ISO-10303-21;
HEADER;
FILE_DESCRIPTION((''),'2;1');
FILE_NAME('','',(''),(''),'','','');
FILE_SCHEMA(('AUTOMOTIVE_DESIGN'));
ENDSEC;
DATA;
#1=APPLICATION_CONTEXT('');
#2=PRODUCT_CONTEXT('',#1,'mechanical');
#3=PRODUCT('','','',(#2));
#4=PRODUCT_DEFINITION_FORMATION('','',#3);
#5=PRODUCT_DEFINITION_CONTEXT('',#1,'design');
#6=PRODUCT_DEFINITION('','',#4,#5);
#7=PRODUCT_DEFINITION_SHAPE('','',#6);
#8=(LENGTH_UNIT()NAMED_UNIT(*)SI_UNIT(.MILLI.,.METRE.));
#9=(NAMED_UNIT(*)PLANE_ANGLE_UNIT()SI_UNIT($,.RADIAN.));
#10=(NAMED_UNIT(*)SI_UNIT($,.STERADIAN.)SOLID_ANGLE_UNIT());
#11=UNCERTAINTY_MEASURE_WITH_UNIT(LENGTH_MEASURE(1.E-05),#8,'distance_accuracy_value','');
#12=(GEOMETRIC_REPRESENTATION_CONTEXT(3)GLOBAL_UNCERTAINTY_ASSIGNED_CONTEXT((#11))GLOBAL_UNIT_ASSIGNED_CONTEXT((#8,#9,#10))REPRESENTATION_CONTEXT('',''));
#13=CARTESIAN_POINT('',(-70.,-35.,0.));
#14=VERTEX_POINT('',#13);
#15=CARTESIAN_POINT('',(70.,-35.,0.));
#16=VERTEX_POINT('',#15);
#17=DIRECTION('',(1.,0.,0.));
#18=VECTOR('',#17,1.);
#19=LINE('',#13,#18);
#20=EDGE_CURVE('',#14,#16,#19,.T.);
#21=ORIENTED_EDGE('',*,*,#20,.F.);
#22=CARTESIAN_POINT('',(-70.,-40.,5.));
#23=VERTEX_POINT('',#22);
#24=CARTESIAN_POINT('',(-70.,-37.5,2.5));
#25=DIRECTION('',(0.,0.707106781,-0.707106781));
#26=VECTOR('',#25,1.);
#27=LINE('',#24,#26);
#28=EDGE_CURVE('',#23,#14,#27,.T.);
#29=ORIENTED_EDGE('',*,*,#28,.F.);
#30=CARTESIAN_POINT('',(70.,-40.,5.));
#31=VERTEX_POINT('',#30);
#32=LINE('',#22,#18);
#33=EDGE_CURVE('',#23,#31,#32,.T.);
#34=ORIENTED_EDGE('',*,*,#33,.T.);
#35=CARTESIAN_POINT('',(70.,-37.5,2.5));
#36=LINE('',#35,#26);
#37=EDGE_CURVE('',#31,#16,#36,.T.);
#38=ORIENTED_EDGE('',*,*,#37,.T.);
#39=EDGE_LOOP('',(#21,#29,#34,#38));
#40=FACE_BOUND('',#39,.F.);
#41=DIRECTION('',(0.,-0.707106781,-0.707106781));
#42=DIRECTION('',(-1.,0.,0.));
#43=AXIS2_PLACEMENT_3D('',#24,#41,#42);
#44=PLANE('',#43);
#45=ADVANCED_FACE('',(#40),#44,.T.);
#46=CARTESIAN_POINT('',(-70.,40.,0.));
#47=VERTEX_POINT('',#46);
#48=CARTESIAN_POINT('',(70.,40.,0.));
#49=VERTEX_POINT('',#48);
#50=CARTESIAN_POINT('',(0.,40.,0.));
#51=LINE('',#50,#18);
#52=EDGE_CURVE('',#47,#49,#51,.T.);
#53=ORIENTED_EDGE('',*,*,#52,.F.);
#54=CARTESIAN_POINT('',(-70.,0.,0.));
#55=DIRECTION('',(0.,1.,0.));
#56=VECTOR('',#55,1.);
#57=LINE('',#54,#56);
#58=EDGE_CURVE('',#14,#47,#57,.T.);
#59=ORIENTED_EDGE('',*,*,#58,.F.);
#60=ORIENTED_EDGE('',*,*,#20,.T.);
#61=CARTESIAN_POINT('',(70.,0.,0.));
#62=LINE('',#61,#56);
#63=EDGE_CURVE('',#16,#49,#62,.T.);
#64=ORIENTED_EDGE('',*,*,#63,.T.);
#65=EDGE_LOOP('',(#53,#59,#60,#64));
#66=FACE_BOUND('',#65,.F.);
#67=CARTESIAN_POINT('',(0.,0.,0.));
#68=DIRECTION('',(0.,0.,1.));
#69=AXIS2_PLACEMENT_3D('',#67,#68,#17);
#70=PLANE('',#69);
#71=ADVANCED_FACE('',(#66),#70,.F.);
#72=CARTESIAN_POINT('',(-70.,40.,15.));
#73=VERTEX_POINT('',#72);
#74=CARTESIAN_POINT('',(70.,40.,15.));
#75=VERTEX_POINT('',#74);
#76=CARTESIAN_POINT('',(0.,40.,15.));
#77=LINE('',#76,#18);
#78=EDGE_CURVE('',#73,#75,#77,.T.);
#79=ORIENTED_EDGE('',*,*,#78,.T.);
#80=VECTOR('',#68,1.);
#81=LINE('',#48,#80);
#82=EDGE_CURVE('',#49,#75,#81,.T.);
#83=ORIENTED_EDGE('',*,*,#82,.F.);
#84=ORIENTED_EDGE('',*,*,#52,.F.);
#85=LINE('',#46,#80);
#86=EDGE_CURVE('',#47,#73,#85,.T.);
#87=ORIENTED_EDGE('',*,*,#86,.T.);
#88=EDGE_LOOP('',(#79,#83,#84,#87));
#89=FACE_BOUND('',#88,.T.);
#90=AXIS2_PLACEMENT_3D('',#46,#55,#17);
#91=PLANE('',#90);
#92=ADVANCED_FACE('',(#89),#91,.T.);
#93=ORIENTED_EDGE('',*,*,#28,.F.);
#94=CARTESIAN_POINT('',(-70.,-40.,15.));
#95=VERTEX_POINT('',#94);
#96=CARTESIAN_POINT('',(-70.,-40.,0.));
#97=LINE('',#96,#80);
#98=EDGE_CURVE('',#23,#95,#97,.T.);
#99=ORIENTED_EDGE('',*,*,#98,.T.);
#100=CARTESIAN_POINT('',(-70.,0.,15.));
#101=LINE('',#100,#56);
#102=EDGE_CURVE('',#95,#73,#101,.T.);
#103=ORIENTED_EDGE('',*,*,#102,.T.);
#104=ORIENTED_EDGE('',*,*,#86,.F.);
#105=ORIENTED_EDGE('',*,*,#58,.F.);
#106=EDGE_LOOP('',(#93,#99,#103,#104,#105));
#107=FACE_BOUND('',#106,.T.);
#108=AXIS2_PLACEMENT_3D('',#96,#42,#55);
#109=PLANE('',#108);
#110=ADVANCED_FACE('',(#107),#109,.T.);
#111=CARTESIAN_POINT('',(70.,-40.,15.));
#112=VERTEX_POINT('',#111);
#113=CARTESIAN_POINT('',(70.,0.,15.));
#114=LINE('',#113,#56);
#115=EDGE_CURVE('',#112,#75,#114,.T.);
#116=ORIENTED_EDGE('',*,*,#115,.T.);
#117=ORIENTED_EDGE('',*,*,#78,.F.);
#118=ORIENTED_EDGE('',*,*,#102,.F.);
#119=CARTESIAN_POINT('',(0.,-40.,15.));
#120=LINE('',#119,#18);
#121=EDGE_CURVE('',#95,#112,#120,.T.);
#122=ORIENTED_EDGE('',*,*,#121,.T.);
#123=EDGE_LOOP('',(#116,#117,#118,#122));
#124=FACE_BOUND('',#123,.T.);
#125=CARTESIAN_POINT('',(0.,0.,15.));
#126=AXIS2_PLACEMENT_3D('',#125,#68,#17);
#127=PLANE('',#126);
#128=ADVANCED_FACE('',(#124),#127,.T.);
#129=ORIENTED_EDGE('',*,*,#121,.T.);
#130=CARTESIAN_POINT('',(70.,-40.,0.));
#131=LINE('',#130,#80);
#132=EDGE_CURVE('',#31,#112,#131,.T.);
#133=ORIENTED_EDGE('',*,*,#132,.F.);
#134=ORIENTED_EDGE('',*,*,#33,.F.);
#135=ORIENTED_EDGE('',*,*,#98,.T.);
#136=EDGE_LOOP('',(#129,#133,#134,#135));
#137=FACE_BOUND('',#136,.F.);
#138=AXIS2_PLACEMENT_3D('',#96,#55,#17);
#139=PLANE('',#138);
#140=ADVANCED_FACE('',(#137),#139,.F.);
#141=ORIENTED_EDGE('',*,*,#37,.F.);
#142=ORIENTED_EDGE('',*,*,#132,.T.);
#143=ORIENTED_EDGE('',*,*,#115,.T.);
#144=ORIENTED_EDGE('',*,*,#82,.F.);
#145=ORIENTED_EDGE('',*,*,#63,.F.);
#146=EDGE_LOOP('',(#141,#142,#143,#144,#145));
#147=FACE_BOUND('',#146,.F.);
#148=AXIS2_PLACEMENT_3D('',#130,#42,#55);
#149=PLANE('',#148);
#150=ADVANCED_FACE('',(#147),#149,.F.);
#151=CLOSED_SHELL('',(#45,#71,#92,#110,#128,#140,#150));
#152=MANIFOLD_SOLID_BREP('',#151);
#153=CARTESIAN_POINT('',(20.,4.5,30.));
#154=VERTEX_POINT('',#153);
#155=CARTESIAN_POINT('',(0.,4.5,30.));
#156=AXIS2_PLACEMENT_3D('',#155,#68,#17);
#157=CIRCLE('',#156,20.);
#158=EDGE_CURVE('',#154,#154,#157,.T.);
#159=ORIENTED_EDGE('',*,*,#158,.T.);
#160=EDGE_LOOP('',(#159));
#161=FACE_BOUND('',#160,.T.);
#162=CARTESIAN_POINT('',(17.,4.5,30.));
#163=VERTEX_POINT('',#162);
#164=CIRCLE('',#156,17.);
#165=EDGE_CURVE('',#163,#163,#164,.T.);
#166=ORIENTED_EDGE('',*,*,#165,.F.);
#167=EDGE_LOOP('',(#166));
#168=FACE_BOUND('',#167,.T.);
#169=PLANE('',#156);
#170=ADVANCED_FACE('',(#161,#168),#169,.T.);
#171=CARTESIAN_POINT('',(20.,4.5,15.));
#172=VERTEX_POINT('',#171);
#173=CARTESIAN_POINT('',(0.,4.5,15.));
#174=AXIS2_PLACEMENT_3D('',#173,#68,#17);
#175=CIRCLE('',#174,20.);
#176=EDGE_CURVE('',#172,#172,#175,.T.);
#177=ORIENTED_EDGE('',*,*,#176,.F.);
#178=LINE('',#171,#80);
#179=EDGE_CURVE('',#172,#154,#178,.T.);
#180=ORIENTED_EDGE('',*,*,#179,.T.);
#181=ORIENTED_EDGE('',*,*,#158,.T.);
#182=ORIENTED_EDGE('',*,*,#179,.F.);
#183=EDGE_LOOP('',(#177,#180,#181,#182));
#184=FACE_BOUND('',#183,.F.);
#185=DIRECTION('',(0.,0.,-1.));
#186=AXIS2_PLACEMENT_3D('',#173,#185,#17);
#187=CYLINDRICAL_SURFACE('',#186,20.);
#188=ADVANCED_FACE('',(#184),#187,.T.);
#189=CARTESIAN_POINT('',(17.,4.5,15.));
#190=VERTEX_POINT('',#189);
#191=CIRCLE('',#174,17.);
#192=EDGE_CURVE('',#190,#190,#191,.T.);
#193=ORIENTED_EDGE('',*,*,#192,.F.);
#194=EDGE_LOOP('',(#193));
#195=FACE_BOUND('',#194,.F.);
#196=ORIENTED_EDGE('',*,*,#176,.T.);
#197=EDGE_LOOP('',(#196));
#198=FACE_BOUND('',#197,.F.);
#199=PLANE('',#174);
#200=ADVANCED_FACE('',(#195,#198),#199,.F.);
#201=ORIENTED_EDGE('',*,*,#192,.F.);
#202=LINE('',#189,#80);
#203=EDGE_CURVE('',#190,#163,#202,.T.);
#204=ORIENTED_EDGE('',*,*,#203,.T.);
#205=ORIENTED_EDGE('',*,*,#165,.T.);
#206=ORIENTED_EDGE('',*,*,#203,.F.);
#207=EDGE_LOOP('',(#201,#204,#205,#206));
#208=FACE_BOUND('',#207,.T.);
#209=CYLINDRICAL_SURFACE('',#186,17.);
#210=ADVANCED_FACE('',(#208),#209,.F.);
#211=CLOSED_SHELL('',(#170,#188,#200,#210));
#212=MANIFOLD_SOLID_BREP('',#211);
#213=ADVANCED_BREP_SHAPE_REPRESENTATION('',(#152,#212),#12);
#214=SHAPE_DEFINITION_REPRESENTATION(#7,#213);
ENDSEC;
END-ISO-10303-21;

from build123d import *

# Parameters (mm, degrees)
F0_W     = 140
F0_H     = 80
F1_DEPTH = 15
F2_SIZE  = 5
F3_R     = 20
F3_R_2   = 17
F4_DEPTH = 15


with BuildPart() as f1:
    # F0 (on Top) → F1 (new body)
    with BuildSketch(Plane.XY):
        Rectangle(F0_W, F0_H)
    extrude(amount=F1_DEPTH)

    # F2
    f2_edges = [f1.edges().sort_by_distance(p)[0] for p in [
        (0, -40, 0),
    ]]
    chamfer(f2_edges, length=F2_SIZE)


with BuildPart() as f4:
    # F3 (on face) → F4 (new body)
    with BuildSketch(Plane.XY.offset(15)):
        with Locations((0, 4.5)):
            Circle(F3_R)
        with Locations((0, 4.5)):
            Circle(F3_R_2, mode=Mode.SUBTRACT)
    extrude(amount=F4_DEPTH)


solid = Compound([f1.part, f4.part])
